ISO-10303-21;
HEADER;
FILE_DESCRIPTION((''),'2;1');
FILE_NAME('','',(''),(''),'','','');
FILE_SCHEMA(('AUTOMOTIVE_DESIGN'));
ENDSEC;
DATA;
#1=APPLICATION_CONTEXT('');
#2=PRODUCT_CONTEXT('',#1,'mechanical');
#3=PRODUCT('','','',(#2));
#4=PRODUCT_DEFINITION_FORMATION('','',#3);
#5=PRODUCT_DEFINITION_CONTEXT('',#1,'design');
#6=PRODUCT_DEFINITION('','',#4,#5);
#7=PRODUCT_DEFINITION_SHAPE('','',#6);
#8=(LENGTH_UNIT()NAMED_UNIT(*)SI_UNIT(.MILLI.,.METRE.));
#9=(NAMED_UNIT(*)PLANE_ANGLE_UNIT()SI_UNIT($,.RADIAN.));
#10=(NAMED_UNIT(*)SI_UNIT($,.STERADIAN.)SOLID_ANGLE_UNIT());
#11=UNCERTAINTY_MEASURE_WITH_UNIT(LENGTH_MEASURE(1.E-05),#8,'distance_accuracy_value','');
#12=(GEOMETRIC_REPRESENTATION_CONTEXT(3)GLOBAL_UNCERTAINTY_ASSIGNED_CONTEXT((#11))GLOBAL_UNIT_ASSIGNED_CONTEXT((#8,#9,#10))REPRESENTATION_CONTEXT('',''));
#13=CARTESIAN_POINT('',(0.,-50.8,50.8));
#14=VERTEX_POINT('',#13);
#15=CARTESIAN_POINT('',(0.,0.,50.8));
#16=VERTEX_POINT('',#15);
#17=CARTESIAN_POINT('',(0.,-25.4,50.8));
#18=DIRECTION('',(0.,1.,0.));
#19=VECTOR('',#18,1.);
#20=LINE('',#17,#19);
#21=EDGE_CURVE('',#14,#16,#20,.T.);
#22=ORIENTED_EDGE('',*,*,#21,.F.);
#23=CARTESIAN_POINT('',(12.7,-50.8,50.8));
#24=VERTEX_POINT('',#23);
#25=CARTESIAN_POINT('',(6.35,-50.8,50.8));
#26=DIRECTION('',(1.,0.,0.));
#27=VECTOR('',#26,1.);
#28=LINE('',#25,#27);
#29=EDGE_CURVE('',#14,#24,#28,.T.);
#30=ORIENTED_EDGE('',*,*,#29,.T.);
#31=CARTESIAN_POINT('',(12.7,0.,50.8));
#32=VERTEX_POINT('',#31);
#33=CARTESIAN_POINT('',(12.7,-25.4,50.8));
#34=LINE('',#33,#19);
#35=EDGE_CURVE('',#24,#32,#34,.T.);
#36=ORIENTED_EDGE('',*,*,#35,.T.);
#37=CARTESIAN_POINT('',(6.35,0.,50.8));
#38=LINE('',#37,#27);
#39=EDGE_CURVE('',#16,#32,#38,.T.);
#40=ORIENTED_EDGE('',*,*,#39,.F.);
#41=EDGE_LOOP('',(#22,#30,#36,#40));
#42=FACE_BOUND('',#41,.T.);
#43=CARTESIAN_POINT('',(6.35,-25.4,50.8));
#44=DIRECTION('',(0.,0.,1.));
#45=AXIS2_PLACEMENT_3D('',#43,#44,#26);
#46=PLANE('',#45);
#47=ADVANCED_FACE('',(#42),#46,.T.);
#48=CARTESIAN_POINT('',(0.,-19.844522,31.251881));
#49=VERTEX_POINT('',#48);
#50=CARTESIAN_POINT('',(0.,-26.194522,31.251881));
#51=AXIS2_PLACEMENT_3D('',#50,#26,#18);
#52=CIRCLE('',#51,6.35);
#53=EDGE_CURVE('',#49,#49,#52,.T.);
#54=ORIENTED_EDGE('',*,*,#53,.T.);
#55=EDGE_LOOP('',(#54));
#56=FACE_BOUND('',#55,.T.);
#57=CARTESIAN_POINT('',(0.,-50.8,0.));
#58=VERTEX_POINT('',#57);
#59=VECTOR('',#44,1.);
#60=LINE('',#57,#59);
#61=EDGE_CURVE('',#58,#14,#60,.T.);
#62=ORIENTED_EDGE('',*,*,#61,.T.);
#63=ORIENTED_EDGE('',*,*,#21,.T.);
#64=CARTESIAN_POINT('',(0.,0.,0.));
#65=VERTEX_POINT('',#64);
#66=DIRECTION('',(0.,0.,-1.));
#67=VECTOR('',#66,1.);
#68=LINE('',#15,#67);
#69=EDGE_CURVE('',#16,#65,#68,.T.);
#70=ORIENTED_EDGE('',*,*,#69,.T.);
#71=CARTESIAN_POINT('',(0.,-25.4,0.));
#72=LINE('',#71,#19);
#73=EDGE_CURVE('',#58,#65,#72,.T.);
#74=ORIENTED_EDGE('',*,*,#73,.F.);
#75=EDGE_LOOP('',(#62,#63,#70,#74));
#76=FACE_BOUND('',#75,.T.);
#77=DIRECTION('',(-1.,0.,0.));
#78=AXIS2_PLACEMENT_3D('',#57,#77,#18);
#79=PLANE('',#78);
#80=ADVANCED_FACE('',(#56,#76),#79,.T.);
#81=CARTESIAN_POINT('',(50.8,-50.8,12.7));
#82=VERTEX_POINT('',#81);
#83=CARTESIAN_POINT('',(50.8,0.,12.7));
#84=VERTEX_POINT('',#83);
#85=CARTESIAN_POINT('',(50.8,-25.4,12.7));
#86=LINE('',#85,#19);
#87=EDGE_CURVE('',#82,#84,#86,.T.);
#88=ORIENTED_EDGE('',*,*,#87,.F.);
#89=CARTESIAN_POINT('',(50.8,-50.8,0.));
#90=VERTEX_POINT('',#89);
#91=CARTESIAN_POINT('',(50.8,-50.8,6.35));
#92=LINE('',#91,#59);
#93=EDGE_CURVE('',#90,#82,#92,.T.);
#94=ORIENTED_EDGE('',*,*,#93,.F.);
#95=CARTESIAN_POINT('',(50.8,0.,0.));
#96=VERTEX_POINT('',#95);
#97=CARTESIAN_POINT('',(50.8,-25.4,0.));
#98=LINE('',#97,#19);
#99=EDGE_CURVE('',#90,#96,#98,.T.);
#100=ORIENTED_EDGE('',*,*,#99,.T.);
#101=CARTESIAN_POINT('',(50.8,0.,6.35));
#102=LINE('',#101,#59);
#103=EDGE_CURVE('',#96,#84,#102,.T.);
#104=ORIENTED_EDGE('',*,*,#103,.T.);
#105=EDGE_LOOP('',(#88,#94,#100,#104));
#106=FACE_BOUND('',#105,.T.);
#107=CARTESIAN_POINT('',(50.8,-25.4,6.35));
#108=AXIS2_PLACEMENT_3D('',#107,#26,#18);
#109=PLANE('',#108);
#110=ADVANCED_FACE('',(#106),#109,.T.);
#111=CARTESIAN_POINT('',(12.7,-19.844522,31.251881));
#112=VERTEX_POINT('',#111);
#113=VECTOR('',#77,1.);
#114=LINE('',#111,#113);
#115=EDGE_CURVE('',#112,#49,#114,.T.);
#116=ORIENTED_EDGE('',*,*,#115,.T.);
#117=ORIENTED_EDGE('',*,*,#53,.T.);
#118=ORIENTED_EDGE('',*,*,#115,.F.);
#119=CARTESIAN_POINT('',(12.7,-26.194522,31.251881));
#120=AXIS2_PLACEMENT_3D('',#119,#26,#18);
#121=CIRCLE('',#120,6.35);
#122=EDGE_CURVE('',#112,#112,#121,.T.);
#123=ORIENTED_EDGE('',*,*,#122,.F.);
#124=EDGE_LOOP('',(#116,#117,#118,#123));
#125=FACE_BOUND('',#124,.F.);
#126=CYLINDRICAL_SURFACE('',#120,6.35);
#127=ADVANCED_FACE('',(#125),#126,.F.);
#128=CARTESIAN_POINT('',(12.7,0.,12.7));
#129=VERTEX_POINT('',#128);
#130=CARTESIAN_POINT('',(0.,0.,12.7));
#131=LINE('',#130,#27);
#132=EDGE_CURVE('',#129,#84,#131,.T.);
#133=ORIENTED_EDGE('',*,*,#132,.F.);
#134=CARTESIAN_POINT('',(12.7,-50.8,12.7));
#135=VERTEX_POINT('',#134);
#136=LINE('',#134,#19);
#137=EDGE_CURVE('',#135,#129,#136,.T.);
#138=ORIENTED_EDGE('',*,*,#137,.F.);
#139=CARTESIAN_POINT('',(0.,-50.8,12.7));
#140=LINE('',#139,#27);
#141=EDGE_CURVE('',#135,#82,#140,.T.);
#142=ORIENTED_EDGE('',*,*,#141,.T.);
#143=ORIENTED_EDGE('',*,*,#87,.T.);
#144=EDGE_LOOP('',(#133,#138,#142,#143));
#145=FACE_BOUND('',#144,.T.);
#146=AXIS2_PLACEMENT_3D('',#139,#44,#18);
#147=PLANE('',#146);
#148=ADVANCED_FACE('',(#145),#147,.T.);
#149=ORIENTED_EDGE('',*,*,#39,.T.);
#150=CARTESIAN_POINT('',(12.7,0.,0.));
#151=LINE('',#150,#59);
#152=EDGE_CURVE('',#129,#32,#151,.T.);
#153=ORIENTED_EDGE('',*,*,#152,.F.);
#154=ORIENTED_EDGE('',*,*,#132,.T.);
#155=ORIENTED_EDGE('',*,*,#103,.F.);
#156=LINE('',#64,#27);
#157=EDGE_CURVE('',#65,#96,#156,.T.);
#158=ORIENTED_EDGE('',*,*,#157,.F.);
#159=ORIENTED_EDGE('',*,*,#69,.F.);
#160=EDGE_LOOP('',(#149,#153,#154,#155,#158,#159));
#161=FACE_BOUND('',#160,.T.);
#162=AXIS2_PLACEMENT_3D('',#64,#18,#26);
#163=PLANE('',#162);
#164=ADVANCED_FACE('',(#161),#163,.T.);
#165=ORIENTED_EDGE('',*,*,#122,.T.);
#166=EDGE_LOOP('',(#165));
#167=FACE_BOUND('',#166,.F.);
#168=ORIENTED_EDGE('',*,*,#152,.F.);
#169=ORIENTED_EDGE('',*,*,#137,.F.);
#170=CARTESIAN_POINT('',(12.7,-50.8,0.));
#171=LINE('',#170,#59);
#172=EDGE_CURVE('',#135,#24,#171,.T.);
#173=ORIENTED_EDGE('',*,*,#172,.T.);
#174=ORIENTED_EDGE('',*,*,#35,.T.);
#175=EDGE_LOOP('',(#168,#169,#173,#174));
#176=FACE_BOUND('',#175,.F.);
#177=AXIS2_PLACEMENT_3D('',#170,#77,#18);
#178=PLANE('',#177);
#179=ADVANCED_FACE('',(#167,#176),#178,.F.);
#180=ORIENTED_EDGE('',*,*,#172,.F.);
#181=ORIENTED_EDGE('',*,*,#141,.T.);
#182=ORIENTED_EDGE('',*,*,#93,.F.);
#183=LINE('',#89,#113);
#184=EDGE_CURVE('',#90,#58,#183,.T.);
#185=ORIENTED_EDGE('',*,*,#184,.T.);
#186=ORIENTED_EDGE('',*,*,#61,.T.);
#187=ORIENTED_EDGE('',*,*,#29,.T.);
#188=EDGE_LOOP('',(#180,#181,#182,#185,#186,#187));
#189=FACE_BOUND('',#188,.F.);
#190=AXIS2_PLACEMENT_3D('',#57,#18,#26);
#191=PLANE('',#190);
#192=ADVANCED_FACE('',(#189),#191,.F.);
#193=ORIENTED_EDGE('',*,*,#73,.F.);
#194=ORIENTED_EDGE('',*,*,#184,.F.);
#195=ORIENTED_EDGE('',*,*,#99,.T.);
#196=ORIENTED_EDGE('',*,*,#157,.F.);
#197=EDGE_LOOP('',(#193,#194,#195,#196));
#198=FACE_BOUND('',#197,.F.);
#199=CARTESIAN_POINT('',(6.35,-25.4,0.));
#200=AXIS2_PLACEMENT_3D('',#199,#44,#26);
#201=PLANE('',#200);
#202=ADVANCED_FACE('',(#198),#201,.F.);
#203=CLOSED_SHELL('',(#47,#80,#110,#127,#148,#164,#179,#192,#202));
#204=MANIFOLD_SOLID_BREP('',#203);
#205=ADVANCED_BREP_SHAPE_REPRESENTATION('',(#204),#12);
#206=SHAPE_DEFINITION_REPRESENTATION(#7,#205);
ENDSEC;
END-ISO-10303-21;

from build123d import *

# Parameters (mm, degrees)
F0_W     = 12.7
F0_H     = 50.8
F1_DEPTH = 50.8
F2_W     = 50.8
F2_H     = 12.7
F3_DEPTH = 50.8
F4_R     = 6.35
F5_DEPTH = 12.701


with BuildPart() as f1:
    # F0 (on Top) → F1 (new body)
    with BuildSketch(Plane.XY):
        with Locations((6.35, -25.4)):
            Rectangle(F0_W, F0_H)
    extrude(amount=F1_DEPTH)

    # F2 (on Right) → F3 (join)
    with BuildSketch(Plane.YZ):
        with Locations((-25.4, 6.35)):
            Rectangle(F2_W, F2_H)
    extrude(amount=F3_DEPTH)

    # F4 (on face) → F5 (cut, through all)
    with BuildSketch(Plane.YZ.offset(12.7)):
        with Locations((-26.194522, 31.251881)):
            Circle(F4_R)
    extrude(amount=-F5_DEPTH, mode=Mode.SUBTRACT)


solid = f1.part
